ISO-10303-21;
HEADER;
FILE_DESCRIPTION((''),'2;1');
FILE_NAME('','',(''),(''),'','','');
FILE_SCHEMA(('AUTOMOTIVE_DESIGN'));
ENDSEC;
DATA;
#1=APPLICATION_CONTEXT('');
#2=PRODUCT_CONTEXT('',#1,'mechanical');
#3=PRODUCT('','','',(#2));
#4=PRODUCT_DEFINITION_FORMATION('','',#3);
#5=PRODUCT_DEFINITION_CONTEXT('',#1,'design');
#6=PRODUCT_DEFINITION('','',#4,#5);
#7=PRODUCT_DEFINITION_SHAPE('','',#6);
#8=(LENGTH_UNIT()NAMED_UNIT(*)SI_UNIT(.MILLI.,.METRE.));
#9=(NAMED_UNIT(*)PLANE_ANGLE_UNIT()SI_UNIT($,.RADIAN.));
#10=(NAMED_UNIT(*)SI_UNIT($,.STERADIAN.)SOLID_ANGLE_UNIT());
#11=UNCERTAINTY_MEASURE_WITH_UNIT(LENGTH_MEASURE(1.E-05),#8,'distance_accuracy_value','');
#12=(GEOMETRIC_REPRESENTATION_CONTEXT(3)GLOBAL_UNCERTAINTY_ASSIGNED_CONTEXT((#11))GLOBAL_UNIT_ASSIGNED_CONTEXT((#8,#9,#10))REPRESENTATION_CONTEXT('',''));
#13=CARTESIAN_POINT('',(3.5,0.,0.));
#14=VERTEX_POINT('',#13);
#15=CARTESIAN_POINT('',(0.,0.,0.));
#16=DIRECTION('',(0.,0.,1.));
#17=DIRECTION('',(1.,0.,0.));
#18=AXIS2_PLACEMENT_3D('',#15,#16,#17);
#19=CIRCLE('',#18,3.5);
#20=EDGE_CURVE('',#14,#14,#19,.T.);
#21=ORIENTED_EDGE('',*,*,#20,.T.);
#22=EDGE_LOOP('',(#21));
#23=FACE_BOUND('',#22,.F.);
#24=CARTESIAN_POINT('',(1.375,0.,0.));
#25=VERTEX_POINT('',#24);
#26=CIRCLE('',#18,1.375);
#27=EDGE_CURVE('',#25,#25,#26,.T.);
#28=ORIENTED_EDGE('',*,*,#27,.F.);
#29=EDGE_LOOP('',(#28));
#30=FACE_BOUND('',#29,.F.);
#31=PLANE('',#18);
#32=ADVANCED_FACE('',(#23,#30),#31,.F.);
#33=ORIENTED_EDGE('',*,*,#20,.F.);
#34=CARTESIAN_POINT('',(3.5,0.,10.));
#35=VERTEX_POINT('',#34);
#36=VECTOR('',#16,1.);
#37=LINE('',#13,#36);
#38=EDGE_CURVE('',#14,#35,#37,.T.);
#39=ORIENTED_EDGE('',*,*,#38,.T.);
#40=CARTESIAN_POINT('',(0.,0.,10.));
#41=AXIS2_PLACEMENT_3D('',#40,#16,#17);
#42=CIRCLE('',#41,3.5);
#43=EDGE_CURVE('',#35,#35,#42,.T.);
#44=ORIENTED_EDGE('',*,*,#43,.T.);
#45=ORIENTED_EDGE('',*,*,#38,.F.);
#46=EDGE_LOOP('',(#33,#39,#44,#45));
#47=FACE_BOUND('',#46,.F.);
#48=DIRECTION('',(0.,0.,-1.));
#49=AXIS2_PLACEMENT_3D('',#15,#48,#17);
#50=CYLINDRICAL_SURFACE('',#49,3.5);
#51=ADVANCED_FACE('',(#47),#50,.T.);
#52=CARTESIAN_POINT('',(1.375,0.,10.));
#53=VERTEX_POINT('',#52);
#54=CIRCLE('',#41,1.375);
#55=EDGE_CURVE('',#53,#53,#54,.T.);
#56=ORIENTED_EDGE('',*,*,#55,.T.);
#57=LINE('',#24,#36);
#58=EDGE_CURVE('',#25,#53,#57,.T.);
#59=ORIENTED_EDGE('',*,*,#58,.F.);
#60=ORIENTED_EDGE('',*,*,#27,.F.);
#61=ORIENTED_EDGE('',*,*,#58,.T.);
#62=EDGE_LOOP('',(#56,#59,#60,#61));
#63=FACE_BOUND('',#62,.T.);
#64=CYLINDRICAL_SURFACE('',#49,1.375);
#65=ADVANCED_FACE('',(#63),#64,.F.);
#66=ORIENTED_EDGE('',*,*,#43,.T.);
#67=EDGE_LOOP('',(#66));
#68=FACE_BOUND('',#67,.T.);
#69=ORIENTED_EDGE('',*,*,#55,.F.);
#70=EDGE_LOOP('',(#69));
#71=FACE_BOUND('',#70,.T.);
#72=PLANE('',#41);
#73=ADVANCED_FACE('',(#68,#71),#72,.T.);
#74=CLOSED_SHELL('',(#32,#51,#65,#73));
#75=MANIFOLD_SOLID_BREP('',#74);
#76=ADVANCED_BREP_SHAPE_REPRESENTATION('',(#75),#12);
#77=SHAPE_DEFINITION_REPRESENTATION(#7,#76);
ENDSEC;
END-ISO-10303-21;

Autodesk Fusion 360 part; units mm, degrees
sketch "Sketch1" plane through (0, 0, 0) normal (0, 0, 1) x (1, 0, 0)
  circle A0 centre (0, 0) radius 3.5
  circle A1 centre (0, 0) radius 1.375
  dimension "d1" = 2.75
  dimension "d12" = 7
extrude "Extrude1" add sketch "Sketch1" along normal blind 10
